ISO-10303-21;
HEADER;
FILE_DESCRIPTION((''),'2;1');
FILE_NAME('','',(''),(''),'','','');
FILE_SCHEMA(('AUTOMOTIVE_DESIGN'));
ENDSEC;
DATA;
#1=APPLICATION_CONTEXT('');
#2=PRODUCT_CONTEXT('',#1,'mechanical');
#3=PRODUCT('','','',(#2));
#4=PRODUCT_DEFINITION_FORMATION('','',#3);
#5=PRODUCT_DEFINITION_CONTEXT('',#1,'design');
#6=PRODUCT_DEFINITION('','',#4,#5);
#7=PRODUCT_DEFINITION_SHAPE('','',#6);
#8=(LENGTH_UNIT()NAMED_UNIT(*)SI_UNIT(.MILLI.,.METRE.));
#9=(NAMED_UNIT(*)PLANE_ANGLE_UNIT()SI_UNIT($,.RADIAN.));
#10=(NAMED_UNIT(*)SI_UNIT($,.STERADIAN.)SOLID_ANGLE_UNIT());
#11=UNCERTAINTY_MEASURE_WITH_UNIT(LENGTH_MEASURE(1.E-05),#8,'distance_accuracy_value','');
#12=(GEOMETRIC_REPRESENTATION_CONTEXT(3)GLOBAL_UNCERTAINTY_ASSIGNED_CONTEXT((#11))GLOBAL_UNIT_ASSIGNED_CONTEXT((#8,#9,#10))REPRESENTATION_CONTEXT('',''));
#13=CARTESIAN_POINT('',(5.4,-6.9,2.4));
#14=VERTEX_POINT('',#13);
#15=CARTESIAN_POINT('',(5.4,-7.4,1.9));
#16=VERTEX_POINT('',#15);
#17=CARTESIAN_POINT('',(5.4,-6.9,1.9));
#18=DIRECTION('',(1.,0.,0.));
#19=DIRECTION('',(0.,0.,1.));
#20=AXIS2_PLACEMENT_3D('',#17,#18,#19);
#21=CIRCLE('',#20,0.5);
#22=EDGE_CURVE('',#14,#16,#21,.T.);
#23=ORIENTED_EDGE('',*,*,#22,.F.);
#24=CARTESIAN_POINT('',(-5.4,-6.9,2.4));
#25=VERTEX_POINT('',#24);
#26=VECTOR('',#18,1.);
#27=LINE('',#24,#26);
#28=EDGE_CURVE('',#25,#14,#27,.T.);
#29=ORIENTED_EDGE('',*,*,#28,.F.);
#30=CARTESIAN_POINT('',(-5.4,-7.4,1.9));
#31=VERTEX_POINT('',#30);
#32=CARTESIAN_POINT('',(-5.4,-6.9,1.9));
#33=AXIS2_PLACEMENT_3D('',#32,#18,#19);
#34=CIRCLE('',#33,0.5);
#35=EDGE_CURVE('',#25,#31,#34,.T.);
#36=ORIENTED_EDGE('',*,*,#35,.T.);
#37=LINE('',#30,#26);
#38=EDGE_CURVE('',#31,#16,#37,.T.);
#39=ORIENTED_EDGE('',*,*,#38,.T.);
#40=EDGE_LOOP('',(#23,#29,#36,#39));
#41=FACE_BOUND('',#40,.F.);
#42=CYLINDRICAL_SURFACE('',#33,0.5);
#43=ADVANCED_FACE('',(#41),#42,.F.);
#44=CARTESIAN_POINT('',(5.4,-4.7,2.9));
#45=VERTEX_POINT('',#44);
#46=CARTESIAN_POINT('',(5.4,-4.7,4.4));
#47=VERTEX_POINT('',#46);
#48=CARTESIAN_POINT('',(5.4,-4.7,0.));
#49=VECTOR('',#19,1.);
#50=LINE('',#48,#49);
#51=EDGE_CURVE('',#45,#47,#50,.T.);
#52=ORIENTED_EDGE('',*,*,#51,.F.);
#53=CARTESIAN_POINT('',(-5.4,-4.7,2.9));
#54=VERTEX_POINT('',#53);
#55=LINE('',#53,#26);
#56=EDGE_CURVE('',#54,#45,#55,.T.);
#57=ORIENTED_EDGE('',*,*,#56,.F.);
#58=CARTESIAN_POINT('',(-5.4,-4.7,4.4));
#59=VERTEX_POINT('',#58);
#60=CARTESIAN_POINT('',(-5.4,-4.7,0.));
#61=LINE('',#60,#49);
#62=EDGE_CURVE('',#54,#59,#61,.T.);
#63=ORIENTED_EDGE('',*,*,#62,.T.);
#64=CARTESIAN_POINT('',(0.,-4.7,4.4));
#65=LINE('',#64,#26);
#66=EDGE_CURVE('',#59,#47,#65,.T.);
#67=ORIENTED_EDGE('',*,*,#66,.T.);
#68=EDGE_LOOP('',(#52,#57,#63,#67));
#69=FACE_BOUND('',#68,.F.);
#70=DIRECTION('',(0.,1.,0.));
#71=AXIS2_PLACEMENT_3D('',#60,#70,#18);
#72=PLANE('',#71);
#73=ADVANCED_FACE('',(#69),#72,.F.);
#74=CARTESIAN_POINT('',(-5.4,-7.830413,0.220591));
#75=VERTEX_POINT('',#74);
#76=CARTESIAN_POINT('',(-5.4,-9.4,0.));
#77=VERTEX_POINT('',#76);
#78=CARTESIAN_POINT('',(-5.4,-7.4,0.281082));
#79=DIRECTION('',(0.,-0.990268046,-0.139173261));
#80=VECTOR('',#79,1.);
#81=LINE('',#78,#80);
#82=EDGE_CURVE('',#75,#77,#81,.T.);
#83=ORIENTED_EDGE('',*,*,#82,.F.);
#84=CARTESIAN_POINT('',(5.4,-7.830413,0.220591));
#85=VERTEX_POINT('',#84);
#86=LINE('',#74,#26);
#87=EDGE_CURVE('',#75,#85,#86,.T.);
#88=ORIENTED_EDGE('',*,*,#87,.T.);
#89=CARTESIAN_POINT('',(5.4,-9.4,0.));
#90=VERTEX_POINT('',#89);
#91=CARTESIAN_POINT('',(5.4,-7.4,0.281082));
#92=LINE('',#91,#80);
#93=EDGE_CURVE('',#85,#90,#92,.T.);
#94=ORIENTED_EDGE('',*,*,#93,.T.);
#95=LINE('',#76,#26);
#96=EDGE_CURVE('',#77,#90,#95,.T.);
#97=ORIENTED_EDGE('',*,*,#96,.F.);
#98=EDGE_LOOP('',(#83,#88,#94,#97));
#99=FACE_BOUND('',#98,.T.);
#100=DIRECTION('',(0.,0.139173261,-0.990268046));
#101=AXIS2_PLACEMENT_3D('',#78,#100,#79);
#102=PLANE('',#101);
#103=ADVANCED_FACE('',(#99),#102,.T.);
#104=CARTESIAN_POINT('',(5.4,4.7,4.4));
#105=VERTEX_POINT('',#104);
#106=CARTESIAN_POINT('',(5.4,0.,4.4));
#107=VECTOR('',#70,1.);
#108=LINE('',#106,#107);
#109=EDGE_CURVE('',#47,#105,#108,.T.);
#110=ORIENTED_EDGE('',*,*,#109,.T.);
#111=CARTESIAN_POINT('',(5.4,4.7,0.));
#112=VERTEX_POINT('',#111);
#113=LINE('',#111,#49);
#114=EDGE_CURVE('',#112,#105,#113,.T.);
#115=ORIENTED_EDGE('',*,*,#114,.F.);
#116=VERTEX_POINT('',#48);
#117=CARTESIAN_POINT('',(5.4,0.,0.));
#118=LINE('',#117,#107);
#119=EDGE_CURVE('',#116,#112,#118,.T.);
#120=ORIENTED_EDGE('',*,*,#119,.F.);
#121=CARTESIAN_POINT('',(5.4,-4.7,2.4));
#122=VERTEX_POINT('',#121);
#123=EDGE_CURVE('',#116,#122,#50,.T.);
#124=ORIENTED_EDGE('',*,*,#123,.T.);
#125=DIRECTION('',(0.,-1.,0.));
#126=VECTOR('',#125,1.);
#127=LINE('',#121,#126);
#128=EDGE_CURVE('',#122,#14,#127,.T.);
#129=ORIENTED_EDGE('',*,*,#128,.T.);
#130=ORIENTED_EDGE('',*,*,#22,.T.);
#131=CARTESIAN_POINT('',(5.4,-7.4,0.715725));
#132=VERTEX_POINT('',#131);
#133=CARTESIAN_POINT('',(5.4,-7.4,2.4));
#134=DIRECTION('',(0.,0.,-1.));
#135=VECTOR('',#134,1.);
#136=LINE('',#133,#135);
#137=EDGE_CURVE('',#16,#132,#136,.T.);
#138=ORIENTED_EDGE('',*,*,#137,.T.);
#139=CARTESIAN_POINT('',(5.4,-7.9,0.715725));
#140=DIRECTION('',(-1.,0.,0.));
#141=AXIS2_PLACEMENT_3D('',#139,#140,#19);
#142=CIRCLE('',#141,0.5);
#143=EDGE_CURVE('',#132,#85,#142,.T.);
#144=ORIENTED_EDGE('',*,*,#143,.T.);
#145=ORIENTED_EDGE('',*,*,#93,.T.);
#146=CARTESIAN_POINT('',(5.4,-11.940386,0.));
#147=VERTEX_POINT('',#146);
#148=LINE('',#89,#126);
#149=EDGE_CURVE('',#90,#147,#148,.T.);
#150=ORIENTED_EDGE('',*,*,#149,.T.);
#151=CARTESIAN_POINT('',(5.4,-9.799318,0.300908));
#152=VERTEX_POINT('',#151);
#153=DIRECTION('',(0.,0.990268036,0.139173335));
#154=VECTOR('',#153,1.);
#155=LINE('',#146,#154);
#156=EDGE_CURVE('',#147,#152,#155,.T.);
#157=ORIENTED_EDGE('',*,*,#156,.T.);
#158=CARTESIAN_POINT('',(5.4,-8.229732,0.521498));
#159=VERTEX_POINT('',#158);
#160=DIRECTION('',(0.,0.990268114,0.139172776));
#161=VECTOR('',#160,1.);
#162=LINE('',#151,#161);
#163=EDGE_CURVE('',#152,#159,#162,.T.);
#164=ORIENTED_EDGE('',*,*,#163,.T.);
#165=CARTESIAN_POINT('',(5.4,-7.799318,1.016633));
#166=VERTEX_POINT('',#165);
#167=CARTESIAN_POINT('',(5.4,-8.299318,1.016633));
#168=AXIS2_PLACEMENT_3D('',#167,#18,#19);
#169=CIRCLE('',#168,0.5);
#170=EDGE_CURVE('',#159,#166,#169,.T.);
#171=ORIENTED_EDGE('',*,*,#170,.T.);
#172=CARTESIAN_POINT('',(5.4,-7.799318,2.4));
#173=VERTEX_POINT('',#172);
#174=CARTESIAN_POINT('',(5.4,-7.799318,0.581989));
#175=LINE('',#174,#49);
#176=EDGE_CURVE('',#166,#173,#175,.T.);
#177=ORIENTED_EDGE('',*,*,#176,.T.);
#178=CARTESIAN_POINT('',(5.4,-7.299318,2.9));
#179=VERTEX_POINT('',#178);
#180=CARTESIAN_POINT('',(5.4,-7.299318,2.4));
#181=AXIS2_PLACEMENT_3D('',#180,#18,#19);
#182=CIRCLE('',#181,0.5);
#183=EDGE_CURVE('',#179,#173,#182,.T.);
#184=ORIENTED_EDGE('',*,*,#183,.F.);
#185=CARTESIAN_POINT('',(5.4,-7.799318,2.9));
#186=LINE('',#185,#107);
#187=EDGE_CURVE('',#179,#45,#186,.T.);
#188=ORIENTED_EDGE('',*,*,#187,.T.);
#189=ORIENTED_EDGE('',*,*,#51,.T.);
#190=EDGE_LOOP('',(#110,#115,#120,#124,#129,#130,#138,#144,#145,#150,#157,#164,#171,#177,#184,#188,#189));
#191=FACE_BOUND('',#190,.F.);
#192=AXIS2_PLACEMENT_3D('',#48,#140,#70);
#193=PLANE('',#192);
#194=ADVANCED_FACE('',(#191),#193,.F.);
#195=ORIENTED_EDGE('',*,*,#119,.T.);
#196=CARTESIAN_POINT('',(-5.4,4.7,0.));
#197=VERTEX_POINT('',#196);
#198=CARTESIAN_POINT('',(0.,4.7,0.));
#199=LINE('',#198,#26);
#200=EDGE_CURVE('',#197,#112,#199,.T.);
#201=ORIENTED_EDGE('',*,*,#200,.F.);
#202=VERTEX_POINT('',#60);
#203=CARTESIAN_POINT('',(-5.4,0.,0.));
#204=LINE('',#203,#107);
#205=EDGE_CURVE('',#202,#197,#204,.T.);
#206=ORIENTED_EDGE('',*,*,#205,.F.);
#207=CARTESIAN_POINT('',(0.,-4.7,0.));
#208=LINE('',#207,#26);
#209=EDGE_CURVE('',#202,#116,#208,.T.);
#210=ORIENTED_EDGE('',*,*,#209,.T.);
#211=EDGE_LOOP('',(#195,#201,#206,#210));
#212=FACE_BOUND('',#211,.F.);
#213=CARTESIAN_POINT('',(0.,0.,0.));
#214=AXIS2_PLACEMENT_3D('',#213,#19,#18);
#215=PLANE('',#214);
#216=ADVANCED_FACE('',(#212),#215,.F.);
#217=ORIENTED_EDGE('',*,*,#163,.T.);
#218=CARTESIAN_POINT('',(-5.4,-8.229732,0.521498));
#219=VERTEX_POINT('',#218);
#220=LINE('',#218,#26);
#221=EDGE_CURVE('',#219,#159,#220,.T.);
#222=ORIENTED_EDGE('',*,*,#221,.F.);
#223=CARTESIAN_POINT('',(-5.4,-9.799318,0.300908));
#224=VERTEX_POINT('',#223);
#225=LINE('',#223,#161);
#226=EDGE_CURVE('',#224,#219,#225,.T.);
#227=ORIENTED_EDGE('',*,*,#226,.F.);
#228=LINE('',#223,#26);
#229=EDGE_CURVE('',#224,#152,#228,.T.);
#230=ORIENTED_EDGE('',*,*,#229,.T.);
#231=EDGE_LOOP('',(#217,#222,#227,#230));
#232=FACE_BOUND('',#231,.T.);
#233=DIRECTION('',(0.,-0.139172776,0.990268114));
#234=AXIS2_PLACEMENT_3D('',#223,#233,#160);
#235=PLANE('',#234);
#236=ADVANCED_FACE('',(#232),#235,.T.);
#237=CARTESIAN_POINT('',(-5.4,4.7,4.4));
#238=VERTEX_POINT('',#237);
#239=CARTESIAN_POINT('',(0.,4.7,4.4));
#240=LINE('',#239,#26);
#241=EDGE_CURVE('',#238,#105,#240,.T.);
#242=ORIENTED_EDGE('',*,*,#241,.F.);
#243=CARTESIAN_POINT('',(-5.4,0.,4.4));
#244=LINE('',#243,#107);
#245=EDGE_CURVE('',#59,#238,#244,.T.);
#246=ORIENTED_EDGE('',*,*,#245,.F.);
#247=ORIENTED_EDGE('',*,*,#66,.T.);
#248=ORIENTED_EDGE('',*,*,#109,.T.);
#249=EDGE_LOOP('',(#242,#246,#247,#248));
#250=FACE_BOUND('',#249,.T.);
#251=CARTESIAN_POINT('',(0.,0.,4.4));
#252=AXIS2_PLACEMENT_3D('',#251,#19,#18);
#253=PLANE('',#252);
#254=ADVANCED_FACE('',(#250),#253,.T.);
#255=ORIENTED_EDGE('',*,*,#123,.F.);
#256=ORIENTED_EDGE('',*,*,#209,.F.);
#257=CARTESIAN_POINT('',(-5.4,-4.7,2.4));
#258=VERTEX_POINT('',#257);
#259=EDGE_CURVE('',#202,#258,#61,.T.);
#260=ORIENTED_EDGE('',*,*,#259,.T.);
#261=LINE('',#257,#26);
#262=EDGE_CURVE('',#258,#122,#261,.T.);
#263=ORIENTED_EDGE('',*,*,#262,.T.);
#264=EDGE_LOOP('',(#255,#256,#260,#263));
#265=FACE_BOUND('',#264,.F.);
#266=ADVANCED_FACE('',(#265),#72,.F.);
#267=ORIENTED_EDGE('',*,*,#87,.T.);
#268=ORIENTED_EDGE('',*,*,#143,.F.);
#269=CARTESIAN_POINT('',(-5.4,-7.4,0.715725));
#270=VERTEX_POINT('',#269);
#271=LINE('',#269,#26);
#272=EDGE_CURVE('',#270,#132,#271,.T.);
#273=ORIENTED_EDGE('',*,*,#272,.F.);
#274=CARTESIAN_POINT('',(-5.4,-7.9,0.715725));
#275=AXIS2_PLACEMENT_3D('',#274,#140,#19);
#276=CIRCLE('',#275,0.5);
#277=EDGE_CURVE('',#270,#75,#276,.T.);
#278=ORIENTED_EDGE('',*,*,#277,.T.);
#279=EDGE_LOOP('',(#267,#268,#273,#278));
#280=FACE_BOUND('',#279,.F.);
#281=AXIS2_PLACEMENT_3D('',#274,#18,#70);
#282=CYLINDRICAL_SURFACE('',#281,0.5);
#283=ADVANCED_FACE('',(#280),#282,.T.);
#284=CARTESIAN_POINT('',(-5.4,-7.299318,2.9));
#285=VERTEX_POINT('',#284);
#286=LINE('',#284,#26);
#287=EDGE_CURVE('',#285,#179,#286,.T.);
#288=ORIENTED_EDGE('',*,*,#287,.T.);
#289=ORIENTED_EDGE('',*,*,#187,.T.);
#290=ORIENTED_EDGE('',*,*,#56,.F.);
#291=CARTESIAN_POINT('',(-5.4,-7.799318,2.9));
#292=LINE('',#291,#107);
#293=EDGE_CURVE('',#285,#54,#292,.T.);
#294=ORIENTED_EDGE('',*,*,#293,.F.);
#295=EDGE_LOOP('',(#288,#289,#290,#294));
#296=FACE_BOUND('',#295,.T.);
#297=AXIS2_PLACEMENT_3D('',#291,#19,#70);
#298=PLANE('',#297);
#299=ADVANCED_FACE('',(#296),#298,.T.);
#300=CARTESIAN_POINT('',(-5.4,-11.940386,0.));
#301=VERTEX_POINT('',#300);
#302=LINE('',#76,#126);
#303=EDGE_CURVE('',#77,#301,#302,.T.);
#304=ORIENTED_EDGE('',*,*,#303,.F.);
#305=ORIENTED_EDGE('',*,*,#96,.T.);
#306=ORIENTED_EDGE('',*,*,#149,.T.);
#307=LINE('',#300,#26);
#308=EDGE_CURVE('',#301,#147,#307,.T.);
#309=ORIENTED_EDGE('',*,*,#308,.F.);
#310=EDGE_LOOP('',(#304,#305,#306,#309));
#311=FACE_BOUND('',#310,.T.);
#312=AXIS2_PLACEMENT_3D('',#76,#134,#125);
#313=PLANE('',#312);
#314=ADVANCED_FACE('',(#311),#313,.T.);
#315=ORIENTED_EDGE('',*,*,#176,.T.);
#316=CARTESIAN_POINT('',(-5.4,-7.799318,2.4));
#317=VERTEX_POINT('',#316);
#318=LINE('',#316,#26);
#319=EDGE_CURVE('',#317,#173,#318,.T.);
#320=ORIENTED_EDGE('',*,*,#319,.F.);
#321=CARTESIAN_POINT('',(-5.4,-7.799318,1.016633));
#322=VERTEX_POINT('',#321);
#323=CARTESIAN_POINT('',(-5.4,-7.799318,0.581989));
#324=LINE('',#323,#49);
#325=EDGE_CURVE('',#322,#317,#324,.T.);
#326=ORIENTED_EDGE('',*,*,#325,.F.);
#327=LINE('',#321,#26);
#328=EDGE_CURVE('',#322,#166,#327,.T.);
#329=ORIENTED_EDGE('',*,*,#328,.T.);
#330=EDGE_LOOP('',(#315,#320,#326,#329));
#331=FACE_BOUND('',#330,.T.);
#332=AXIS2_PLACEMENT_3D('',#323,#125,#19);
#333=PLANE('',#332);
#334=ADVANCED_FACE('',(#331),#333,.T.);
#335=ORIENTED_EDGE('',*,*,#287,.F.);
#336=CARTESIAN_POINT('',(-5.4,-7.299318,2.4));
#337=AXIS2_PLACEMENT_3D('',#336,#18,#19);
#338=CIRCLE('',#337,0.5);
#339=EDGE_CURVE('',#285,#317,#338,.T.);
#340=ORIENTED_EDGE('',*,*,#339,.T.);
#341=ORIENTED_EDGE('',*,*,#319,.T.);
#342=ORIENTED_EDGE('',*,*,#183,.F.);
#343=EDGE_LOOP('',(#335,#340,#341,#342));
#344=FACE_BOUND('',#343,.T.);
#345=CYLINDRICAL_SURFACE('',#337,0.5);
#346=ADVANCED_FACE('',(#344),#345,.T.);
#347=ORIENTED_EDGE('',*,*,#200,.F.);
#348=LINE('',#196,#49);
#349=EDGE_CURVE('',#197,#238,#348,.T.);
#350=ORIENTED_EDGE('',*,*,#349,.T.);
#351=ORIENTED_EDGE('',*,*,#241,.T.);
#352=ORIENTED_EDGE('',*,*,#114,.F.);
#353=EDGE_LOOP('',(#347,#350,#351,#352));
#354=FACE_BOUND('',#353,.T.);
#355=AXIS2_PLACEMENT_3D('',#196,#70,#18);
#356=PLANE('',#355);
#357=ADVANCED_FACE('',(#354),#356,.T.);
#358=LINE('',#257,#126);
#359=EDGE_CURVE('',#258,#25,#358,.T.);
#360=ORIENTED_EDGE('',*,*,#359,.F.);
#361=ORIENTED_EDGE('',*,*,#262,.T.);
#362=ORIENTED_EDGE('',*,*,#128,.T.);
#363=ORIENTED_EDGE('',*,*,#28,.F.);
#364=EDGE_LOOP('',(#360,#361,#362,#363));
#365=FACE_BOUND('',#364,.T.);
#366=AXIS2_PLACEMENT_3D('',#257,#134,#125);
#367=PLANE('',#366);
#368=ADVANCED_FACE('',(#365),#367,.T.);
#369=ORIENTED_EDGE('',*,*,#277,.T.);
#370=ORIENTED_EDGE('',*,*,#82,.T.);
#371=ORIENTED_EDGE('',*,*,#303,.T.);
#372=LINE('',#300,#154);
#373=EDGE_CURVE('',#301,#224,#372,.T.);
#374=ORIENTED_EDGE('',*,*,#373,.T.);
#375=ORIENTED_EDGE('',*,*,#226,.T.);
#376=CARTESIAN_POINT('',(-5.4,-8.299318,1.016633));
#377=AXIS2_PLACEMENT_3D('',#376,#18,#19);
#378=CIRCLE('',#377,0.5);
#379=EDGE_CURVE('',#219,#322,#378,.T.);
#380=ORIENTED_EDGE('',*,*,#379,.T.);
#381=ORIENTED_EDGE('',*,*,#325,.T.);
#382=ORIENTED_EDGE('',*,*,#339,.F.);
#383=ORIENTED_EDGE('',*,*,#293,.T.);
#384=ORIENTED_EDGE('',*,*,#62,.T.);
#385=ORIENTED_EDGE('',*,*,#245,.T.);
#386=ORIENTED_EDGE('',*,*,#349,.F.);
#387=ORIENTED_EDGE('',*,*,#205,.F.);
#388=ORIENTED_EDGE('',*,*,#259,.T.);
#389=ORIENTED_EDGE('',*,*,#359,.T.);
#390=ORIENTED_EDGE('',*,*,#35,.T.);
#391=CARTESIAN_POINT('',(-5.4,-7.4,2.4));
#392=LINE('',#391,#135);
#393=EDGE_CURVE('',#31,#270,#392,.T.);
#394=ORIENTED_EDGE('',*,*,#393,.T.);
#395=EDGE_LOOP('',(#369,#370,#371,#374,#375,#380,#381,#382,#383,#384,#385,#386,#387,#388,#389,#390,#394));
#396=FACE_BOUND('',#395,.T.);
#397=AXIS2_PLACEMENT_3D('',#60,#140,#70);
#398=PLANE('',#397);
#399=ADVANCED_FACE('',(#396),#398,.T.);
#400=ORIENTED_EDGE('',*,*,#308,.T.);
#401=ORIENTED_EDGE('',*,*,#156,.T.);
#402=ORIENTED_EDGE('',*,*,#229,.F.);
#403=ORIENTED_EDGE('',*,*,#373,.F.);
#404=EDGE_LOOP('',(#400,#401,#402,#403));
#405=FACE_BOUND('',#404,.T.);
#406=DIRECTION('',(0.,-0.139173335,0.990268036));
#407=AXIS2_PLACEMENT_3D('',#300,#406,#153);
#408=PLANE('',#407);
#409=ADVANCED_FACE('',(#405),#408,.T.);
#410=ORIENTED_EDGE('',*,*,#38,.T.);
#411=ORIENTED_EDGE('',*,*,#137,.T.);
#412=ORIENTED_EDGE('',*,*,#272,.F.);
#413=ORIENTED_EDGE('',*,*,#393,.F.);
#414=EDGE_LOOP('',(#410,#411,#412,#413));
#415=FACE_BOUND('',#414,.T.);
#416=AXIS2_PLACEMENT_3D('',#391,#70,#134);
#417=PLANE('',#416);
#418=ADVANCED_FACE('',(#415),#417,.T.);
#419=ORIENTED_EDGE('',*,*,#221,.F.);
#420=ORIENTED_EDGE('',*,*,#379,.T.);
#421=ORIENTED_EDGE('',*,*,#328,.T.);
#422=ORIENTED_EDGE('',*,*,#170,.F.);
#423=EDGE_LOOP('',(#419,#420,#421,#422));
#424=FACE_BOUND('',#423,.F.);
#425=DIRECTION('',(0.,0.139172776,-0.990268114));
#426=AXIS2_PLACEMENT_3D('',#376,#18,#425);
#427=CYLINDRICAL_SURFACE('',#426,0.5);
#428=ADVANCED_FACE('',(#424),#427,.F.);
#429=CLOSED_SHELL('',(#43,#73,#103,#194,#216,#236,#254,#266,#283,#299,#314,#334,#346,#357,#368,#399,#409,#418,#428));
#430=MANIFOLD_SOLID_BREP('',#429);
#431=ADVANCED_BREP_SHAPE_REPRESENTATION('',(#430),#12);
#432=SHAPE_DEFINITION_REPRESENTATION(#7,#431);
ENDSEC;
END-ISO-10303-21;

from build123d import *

# Parameters (mm, degrees)
F0_W     = 10.8
F0_H     = 9.4
F1_DEPTH = 4.4
F3_DEPTH = 10.8
F4_R     = 0.5


with BuildPart() as f1:
    # F0 (on Top) → F1 (new body)
    with BuildSketch(Plane.XY):
        Rectangle(F0_W, F0_H)
    extrude(amount=F1_DEPTH)

    # F2 (on face) → F3 (join, through all)
    with BuildSketch(Plane(origin=(-5.4, 0, 0), x_dir=(0, -1, 0), z_dir=(-1, 0, 0))):
        Polygon((7.799318, 2.9), (4.7, 2.9), (4.7, 2.4), (7.4, 2.4), (7.799318, 2.4), align=None)
        Polygon((7.799318, 0.581989), (7.799318, 2.4), (7.4, 2.4), (7.4, 0.281082), align=None)
        Polygon((9.799318, 0.300908), (7.799318, 0.581989), (7.4, 0.281082), (9.4, 0), align=None)
        Polygon((11.940386, 0), (9.799318, 0.300908), (9.4, 0), align=None)
    extrude(amount=-F3_DEPTH)

    # F4
    f4_edges = [f1.edges().sort_by_distance(p)[0] for p in [
        (0, -7.799318, 2.9),
        (0, -7.4, 2.4),
        (0, -7.4, 0.281082),
        (0, -7.799318, 0.581989),
    ]]
    fillet(f4_edges, radius=F4_R)


solid = f1.part
